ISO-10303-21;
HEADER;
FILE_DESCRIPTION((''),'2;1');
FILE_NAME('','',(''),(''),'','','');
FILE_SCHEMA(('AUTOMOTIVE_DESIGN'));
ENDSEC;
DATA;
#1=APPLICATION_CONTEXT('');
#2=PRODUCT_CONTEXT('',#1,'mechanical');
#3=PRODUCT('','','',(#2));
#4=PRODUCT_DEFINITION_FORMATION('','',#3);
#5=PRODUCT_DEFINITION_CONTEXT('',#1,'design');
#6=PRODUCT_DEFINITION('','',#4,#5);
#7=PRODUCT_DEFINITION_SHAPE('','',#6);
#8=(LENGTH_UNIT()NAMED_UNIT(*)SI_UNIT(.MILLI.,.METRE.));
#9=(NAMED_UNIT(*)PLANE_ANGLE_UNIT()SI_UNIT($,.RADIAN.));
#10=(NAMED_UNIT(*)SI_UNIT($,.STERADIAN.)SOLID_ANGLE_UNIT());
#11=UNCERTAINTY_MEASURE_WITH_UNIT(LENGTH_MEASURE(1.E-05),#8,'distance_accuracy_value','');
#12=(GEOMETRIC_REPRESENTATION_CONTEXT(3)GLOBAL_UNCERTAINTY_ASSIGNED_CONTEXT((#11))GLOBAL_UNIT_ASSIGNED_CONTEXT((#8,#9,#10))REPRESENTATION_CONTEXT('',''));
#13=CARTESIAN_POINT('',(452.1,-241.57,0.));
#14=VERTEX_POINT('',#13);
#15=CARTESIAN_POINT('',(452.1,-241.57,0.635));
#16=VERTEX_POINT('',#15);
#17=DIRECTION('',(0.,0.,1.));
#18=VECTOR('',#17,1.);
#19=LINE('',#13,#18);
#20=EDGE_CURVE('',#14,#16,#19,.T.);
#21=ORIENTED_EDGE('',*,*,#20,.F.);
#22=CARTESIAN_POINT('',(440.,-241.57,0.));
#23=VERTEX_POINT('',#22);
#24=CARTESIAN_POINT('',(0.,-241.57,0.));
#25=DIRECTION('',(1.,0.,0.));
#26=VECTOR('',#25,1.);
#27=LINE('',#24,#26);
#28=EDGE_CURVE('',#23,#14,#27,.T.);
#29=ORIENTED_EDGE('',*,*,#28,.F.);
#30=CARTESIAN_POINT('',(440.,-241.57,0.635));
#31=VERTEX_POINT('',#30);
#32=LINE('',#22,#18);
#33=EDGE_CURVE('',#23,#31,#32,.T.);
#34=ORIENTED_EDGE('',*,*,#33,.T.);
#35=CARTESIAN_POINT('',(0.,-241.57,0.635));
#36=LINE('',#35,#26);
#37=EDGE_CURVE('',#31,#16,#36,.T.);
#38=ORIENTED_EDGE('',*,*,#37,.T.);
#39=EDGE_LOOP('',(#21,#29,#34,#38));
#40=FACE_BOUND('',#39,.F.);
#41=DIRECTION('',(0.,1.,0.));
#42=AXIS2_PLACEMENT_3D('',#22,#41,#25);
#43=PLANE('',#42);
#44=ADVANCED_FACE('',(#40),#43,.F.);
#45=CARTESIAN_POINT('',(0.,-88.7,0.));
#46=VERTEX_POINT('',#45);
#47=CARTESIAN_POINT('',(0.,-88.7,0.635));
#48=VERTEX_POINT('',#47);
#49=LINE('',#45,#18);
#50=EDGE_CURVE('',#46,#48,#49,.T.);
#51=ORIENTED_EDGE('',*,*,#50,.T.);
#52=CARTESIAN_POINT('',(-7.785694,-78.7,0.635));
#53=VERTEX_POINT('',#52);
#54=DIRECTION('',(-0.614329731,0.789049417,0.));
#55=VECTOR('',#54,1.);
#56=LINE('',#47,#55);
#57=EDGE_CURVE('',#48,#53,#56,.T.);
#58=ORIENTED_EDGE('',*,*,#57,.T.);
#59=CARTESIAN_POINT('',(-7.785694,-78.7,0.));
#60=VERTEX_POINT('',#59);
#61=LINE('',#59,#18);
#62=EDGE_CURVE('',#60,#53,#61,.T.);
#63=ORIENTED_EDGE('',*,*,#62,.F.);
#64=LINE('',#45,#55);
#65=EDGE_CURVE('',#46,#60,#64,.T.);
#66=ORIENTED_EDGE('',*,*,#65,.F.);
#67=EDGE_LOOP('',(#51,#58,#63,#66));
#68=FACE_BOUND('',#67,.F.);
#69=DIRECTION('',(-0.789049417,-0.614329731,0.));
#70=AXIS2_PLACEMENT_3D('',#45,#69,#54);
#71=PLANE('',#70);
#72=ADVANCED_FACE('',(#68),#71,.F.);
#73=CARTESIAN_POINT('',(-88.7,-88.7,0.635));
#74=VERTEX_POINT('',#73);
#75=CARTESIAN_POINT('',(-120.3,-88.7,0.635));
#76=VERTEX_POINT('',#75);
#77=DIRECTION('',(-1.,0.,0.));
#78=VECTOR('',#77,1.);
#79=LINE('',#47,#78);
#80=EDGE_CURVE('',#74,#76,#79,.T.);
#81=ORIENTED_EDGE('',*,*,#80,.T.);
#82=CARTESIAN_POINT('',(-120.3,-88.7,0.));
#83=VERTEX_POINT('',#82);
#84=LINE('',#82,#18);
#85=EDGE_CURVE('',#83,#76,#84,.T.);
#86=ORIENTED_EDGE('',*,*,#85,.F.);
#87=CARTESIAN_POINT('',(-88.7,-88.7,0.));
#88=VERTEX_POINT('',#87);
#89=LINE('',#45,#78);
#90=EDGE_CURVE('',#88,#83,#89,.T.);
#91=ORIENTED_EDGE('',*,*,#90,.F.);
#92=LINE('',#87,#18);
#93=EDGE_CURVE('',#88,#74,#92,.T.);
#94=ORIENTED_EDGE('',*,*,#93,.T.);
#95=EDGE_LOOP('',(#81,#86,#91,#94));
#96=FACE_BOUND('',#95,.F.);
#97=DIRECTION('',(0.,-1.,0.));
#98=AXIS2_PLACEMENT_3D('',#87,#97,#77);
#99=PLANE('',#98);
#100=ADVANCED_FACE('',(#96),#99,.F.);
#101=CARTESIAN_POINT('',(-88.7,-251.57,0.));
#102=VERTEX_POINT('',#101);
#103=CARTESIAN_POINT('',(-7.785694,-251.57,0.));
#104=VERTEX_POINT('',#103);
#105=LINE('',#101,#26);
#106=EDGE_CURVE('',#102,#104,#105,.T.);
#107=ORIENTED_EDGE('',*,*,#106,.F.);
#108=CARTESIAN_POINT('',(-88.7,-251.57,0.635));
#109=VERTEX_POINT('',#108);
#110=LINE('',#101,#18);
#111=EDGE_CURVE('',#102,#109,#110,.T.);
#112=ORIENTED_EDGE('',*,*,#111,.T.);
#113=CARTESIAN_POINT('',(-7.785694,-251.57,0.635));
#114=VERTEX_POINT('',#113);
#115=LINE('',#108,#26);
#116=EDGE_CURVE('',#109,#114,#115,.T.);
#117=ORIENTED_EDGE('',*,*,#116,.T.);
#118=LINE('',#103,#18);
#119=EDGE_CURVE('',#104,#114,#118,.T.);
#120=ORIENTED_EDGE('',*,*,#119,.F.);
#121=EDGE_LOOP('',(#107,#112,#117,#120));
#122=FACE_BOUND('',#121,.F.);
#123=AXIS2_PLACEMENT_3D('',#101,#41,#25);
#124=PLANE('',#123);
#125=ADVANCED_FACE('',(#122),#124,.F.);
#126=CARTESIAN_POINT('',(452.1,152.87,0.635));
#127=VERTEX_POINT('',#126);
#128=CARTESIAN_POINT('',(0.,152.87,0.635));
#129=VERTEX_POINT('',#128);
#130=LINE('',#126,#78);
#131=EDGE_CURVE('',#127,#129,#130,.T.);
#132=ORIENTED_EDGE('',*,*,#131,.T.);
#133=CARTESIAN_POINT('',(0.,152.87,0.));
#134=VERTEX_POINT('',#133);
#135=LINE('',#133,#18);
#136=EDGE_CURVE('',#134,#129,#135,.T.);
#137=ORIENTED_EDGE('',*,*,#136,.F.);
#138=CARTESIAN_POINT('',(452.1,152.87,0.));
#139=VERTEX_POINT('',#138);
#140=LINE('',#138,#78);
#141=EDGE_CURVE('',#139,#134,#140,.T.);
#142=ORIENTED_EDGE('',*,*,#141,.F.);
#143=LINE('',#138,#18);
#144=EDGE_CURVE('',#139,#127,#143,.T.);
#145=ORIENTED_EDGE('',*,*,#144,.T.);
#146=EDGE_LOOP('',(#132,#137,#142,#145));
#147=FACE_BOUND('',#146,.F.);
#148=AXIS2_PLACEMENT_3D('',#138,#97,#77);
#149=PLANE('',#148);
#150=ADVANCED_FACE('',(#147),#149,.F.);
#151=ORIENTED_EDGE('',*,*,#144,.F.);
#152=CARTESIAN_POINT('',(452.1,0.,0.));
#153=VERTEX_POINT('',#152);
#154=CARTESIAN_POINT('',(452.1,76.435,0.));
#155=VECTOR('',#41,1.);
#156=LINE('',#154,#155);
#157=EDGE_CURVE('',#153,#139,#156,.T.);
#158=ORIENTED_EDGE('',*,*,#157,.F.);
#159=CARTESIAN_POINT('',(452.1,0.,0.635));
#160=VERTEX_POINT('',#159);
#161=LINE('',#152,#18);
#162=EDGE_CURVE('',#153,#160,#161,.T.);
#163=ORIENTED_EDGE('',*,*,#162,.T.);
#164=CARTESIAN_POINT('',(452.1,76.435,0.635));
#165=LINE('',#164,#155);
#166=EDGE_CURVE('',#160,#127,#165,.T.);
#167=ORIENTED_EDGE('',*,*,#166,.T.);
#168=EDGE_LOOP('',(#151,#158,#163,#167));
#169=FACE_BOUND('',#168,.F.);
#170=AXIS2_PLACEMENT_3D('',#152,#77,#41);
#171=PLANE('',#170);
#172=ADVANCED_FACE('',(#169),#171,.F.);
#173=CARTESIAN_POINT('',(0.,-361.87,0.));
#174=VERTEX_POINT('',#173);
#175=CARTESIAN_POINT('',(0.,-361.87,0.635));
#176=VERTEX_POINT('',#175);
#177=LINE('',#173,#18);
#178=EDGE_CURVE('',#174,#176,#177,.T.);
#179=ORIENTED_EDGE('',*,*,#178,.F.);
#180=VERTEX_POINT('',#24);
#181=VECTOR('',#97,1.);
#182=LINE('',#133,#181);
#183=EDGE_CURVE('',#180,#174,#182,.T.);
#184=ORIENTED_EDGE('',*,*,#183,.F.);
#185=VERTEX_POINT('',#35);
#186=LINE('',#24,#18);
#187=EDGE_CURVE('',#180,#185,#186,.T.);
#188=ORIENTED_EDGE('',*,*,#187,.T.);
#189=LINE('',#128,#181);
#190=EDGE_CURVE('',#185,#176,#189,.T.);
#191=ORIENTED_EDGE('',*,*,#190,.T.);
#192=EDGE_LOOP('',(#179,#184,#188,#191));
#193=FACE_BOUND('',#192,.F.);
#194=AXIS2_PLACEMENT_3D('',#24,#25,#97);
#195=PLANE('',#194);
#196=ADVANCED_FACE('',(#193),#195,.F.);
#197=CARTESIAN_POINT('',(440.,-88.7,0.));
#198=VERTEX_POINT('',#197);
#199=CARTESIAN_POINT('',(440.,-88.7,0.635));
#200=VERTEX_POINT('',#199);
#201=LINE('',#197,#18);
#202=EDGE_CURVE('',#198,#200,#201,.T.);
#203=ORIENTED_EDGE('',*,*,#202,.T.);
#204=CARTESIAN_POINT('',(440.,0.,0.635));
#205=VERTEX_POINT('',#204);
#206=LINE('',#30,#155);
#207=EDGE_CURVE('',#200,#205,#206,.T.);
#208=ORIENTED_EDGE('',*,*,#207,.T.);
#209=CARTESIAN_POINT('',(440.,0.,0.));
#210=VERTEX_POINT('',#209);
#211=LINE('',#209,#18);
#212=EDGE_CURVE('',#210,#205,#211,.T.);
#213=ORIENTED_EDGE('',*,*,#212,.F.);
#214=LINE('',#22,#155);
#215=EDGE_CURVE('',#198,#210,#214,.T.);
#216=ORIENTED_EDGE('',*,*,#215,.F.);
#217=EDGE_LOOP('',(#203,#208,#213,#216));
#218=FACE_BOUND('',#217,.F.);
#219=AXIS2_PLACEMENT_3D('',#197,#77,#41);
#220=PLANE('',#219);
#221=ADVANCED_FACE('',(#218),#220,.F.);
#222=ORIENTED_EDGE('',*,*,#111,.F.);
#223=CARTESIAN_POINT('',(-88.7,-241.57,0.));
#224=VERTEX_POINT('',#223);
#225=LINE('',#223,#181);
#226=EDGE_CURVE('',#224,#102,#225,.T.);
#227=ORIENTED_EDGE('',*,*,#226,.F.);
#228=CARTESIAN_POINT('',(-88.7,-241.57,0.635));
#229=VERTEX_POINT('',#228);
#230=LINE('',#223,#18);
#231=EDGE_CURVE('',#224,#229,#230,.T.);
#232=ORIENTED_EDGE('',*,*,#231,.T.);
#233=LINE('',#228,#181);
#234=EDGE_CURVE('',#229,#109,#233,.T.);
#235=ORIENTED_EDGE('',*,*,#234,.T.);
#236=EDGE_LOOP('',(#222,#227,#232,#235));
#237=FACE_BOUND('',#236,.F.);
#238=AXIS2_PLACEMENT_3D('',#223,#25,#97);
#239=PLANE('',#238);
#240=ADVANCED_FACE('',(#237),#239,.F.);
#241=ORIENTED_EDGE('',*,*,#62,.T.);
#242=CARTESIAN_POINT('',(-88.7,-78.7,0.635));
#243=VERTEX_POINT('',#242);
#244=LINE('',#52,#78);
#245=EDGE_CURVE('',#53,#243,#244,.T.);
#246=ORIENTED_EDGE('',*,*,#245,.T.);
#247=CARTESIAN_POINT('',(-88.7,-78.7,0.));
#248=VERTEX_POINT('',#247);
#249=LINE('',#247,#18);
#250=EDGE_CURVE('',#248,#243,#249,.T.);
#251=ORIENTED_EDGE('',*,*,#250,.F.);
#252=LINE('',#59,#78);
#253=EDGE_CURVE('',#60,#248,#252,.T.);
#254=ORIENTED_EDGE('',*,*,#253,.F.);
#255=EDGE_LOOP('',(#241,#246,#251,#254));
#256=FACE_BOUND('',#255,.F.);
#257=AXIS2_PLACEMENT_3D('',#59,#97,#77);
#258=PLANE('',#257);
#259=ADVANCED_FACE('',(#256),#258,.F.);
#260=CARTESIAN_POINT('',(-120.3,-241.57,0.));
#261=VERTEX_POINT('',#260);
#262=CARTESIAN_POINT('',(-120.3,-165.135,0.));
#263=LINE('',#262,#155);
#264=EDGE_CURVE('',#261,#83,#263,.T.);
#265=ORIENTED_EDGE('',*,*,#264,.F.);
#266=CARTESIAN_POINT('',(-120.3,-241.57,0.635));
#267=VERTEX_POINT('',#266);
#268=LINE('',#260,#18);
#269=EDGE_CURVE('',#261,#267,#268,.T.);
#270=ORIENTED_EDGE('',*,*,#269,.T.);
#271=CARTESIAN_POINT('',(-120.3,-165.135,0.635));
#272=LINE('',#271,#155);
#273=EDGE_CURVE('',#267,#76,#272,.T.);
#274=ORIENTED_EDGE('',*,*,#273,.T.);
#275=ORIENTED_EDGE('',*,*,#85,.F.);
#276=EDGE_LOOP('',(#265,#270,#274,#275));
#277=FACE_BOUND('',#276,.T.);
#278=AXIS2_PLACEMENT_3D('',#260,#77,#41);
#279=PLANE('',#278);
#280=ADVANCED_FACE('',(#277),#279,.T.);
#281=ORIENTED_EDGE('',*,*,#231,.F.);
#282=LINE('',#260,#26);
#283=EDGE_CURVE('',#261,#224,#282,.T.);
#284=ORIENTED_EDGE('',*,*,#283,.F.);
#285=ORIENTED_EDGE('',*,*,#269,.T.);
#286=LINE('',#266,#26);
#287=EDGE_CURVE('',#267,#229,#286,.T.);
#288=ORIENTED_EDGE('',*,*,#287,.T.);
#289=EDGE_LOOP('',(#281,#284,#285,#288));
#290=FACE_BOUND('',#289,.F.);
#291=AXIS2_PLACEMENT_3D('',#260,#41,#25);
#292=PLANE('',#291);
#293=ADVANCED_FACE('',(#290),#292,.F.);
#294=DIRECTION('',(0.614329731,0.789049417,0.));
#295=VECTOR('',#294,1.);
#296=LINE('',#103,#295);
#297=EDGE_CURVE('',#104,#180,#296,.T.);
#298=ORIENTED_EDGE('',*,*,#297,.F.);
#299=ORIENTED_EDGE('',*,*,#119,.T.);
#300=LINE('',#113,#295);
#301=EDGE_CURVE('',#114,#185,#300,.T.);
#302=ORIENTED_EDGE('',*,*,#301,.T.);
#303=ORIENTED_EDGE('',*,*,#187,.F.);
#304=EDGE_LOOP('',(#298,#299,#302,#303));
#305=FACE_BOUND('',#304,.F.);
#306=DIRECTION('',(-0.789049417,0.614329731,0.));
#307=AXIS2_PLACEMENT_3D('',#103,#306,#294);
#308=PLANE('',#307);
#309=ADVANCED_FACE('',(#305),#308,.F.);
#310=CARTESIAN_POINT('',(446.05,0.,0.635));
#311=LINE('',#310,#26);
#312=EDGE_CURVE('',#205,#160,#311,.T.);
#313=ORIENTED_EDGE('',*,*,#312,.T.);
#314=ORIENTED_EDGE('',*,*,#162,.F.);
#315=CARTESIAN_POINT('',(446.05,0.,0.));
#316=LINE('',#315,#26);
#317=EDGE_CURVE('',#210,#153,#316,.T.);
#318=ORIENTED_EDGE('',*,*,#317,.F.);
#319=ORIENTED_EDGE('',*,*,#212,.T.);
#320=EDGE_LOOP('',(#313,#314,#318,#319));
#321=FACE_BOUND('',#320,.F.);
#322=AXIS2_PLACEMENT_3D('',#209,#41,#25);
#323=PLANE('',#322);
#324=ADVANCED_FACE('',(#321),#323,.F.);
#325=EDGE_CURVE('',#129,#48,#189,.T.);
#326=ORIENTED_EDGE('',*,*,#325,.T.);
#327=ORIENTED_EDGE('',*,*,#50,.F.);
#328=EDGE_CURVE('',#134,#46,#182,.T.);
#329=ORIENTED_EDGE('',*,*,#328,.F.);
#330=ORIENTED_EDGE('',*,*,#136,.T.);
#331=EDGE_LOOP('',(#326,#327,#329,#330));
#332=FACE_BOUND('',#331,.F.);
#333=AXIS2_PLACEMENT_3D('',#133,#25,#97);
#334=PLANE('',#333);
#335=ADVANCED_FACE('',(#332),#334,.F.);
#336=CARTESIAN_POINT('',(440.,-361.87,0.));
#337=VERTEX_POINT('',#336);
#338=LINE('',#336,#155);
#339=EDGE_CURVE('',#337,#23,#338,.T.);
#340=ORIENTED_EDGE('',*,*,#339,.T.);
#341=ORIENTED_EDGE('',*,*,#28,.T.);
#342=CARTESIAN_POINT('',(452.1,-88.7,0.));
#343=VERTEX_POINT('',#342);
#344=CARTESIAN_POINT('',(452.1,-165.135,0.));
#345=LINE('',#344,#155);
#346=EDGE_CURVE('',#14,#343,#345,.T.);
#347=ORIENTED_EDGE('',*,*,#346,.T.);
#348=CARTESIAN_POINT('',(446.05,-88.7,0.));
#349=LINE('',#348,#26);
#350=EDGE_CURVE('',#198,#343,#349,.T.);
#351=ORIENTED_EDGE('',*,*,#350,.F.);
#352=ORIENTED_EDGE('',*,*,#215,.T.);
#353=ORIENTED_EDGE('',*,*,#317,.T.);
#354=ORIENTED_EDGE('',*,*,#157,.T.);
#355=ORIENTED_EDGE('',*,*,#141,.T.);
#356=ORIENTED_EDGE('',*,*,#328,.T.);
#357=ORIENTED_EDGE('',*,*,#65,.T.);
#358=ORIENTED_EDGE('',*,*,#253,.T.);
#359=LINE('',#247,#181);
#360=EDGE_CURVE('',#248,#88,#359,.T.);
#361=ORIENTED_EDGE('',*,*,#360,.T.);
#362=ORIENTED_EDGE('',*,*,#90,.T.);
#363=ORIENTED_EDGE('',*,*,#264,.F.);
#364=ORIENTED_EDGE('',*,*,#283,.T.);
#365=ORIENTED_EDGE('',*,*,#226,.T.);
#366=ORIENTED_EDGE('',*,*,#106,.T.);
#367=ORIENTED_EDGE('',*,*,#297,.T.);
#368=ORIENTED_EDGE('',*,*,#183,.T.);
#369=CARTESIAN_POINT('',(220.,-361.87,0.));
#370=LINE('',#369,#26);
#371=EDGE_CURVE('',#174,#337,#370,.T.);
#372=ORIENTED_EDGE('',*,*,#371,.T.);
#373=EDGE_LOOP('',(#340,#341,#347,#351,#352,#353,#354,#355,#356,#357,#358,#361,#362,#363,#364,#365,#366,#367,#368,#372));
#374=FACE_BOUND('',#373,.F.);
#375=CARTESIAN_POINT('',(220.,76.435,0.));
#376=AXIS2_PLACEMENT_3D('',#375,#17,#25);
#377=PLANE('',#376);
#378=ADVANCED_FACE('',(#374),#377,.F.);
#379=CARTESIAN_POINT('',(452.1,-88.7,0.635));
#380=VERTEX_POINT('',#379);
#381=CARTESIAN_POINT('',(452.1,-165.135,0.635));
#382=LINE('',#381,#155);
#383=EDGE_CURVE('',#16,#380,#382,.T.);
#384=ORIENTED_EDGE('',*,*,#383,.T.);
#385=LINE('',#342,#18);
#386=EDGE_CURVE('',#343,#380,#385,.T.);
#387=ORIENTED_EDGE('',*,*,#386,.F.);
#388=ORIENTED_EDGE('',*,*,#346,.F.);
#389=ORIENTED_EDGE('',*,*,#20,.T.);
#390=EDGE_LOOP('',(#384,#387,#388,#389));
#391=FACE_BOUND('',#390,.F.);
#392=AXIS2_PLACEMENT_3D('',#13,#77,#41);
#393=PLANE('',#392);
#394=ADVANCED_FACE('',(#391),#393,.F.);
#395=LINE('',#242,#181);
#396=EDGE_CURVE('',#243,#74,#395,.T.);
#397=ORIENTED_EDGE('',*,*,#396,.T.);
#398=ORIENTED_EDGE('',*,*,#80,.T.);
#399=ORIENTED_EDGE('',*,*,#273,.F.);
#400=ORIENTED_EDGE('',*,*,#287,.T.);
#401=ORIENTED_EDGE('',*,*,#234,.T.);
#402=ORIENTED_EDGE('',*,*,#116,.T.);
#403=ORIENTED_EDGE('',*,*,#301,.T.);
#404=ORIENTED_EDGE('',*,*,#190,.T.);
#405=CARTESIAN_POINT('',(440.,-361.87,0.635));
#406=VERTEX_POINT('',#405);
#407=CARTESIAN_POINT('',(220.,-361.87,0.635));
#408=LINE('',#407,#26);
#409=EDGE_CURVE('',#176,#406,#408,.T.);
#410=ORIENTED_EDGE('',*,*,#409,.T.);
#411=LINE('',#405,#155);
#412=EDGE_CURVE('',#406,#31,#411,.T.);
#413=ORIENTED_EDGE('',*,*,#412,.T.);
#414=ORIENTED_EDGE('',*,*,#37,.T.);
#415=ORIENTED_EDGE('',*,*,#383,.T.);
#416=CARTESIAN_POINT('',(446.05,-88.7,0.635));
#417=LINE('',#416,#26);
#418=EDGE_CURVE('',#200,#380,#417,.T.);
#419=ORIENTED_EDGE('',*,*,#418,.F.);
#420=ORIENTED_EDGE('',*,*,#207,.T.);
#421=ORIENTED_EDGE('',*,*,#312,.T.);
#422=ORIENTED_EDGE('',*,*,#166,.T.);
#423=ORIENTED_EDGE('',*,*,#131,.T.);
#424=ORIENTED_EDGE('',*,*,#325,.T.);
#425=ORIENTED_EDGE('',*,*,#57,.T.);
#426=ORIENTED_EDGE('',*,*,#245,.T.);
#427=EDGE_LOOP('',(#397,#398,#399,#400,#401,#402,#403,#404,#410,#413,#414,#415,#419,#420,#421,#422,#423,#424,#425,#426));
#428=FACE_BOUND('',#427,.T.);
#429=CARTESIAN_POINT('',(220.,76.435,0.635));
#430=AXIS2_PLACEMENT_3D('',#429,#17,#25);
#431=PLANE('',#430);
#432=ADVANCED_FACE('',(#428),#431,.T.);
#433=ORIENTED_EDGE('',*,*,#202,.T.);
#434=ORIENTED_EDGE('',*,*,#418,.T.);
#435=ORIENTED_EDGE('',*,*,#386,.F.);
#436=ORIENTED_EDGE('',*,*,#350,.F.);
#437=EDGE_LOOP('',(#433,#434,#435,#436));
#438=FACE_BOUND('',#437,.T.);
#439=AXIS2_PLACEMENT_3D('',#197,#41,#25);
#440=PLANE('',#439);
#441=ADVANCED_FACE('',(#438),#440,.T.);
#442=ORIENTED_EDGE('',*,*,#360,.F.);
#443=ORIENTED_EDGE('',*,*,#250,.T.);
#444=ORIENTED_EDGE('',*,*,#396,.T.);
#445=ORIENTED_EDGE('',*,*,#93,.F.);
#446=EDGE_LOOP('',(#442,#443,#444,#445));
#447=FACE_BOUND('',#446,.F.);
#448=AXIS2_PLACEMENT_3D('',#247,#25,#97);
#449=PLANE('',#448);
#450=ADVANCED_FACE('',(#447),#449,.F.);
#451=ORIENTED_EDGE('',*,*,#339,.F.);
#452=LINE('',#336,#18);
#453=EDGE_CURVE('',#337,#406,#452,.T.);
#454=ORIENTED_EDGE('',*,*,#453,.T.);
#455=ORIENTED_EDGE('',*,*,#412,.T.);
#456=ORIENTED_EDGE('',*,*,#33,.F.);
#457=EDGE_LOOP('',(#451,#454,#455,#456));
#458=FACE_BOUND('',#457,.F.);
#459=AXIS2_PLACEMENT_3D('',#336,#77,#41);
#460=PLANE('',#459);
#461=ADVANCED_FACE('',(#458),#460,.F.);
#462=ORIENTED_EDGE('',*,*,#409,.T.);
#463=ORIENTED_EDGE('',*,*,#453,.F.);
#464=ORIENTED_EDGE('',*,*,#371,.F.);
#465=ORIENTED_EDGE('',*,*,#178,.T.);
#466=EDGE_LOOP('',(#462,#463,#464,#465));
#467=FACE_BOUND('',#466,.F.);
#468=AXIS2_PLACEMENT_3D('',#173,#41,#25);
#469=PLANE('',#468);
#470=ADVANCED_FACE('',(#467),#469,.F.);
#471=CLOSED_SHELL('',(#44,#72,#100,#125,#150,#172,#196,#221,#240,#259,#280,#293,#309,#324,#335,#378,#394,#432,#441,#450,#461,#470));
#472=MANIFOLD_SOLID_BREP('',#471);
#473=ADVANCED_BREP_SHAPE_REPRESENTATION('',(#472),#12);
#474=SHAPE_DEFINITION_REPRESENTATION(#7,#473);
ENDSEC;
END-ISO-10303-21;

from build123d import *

# Parameters (mm, degrees)
F0_W     = 440
F0_H     = 152.87
F0_H_2   = 88.7
F0_W_2   = 12.1
F0_H_3   = 31.6
F0_W_3   = 88.7
F0_W_4   = 31.6
F1_DEPTH = 0.635


with BuildPart() as f1:
    # F0 (on Top) → F1 (new body)
    with BuildSketch(Plane.XY):
        with Locations((220, 76.435)):
            Rectangle(F0_W, F0_H)
        with Locations((220, -44.35)):
            Rectangle(F0_W, F0_H_2)
        with Locations((446.05, 76.435)):
            Rectangle(F0_W_2, F0_H)
        with Locations((220, -165.135)):
            Rectangle(F0_W, F0_H)
        with Locations((446.05, -165.135)):
            Rectangle(F0_W_2, F0_H)
        with Locations((220, -285.92)):
            Rectangle(F0_W, F0_H_2)
        with Locations((220, -346.07)):
            Rectangle(F0_W, F0_H_3)
        with Locations((-44.35, -165.135)):
            Rectangle(F0_W_3, F0_H)
        with Locations((-104.5, -165.135)):
            Rectangle(F0_W_4, F0_H)
        Polygon((-88.7, -88.7), (0, -88.7), (-7.785694, -78.7), (-88.7, -78.7), align=None)
        Polygon((-7.785694, -251.57), (0, -241.57), (-88.7, -241.57), (-88.7, -251.57), align=None)
    extrude(amount=F1_DEPTH)


solid = f1.part
